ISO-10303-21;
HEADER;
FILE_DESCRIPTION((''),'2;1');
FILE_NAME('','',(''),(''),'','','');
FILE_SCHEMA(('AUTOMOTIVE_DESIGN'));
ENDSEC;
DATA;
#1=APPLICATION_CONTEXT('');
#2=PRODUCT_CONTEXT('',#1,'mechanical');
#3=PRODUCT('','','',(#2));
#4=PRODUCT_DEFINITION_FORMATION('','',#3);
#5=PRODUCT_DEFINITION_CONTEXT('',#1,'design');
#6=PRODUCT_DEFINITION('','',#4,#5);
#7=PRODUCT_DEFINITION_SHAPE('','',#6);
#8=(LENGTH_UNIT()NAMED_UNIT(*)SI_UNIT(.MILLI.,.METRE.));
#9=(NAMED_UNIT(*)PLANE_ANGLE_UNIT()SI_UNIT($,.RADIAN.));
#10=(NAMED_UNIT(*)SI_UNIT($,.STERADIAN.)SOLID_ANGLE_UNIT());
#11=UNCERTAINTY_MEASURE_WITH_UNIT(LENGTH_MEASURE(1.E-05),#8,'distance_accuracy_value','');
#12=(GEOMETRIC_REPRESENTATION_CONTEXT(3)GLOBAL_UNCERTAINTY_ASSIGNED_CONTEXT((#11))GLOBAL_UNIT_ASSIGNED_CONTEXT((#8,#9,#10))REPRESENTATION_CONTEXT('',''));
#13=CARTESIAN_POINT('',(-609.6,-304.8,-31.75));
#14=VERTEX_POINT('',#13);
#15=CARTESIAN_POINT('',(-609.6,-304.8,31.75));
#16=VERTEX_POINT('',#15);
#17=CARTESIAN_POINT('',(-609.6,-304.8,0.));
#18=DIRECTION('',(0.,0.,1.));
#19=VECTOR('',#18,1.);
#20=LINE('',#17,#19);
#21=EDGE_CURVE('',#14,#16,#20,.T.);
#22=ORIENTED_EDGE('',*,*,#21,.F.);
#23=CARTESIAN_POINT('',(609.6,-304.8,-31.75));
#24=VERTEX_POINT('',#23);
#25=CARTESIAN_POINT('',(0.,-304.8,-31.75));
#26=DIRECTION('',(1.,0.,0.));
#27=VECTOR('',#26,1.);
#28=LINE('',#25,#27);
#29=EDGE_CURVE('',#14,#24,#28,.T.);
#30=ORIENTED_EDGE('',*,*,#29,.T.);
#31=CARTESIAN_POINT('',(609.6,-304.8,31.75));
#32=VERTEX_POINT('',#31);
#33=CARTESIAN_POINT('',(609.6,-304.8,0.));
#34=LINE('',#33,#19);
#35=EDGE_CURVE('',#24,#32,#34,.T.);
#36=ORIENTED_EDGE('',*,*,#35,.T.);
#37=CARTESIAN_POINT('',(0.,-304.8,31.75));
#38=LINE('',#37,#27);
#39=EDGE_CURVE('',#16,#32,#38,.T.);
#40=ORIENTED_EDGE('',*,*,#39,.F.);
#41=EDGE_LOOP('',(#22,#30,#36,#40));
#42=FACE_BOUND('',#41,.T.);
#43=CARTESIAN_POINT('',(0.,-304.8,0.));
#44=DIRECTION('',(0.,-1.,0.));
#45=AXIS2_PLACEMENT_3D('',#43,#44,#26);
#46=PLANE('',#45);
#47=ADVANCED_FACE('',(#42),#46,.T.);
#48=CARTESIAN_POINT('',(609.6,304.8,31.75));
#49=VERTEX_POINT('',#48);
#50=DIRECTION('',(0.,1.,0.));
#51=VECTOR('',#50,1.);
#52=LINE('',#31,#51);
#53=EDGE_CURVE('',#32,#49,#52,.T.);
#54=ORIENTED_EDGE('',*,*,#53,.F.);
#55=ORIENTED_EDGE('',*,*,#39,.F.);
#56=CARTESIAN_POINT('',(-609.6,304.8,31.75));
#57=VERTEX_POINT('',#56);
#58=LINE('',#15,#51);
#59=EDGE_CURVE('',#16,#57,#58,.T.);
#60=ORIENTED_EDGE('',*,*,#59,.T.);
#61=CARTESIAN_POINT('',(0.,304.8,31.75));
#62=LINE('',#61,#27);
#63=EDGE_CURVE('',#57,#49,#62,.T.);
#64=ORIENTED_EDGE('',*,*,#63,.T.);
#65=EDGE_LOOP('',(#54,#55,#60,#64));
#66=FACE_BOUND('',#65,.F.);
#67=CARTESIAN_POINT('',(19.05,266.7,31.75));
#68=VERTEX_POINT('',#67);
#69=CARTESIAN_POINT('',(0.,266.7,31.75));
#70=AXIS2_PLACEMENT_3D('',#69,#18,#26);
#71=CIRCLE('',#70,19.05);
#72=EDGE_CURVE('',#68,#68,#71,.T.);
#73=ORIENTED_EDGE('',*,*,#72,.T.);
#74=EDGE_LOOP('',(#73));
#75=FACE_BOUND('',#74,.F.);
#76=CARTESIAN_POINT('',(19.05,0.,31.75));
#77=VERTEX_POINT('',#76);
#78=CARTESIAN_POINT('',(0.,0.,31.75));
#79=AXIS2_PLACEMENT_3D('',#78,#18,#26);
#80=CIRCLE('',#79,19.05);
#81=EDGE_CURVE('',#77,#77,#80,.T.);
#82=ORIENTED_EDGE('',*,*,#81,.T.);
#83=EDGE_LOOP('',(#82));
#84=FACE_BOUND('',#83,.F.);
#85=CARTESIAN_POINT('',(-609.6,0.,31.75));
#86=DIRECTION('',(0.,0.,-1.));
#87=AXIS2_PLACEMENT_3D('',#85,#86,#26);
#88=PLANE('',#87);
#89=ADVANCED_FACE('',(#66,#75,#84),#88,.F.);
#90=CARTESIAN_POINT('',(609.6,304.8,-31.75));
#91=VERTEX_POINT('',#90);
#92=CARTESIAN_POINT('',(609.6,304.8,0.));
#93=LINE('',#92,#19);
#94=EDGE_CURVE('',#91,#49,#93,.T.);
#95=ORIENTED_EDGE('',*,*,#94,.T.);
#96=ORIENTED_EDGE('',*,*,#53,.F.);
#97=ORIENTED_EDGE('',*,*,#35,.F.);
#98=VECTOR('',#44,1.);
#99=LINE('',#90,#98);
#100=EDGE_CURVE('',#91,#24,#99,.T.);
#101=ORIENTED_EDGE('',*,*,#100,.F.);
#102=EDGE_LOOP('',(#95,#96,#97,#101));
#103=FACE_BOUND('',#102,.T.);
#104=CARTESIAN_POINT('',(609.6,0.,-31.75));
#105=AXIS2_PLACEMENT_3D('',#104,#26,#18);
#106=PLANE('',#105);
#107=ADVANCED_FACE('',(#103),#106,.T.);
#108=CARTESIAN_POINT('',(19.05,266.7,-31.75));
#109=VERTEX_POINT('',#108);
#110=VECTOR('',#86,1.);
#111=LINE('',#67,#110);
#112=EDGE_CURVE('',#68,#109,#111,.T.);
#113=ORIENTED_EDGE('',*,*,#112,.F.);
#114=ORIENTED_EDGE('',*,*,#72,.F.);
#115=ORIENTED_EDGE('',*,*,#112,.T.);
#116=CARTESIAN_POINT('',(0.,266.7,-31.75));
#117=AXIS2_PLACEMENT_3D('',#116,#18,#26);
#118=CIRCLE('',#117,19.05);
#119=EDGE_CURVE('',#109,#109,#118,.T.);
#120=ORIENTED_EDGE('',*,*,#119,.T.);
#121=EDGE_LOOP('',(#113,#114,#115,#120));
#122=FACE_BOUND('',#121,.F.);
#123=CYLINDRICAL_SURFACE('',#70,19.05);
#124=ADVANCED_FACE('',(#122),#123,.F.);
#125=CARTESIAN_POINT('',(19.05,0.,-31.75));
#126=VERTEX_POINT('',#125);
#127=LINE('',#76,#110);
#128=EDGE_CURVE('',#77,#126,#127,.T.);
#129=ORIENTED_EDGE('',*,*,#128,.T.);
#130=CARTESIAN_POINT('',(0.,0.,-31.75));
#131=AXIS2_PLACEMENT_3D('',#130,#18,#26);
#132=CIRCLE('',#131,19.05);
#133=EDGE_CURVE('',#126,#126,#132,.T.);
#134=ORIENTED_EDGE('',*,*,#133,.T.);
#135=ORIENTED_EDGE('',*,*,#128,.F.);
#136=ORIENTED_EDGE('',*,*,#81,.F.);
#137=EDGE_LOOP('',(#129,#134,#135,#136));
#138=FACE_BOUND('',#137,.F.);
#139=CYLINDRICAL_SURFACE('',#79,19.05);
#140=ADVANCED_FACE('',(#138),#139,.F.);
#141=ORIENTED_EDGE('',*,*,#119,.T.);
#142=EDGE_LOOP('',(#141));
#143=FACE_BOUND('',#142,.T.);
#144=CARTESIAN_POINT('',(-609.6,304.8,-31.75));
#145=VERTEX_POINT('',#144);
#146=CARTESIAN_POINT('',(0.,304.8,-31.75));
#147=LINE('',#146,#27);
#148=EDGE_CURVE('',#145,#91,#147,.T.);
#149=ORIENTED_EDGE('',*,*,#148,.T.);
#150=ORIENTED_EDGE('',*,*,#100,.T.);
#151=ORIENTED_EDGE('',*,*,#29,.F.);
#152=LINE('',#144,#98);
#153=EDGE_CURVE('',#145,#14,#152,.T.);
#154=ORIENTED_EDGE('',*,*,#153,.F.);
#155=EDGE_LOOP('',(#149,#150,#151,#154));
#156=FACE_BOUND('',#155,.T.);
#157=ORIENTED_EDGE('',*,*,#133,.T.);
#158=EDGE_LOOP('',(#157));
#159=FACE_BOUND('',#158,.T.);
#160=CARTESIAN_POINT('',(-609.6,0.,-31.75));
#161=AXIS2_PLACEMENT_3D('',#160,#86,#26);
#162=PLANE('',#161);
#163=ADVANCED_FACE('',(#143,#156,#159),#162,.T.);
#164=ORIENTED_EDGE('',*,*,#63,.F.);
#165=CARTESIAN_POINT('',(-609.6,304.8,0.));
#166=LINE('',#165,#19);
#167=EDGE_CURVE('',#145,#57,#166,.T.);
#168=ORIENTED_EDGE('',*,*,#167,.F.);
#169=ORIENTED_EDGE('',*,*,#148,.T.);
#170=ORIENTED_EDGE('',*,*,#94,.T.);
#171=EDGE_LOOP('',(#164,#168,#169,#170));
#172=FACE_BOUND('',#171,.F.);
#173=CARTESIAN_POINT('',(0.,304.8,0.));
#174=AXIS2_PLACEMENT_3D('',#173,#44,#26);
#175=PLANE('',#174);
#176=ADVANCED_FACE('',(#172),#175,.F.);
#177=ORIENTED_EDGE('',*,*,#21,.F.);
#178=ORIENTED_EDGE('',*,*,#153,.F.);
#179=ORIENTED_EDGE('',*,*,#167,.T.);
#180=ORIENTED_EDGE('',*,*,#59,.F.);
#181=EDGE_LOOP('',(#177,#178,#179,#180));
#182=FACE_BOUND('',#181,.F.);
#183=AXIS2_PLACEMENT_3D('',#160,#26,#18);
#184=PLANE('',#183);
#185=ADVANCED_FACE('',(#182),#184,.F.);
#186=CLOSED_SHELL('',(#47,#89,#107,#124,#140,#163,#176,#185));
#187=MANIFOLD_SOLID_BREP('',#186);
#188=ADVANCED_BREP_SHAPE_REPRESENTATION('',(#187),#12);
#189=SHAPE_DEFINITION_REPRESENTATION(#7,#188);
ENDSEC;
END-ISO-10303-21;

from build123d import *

# Parameters (mm, degrees)
F0_W     = 1219.2
F0_H     = 63.5
F1_DEPTH = 304.8
F2_R     = 19.05
F3_DEPTH = 63.501
F4_R     = 19.05
F5_DEPTH = 63.501


with BuildPart() as f1:
    # F0 (on Front) → F1 (new body, symmetric)
    with BuildSketch(Plane.XZ):
        Rectangle(F0_W, F0_H)
    extrude(amount=F1_DEPTH, both=True)

    # F2 (on face) → F3 (cut, through all)
    with BuildSketch(Plane.XY.offset(31.75)):
        Circle(F2_R)
    extrude(amount=-F3_DEPTH, mode=Mode.SUBTRACT)

    # F4 (on face) → F5 (cut, through all)
    with BuildSketch(Plane.XY.offset(31.75)):
        with Locations((0, 266.7)):
            Circle(F4_R)
    extrude(amount=-F5_DEPTH, mode=Mode.SUBTRACT)


solid = f1.part
